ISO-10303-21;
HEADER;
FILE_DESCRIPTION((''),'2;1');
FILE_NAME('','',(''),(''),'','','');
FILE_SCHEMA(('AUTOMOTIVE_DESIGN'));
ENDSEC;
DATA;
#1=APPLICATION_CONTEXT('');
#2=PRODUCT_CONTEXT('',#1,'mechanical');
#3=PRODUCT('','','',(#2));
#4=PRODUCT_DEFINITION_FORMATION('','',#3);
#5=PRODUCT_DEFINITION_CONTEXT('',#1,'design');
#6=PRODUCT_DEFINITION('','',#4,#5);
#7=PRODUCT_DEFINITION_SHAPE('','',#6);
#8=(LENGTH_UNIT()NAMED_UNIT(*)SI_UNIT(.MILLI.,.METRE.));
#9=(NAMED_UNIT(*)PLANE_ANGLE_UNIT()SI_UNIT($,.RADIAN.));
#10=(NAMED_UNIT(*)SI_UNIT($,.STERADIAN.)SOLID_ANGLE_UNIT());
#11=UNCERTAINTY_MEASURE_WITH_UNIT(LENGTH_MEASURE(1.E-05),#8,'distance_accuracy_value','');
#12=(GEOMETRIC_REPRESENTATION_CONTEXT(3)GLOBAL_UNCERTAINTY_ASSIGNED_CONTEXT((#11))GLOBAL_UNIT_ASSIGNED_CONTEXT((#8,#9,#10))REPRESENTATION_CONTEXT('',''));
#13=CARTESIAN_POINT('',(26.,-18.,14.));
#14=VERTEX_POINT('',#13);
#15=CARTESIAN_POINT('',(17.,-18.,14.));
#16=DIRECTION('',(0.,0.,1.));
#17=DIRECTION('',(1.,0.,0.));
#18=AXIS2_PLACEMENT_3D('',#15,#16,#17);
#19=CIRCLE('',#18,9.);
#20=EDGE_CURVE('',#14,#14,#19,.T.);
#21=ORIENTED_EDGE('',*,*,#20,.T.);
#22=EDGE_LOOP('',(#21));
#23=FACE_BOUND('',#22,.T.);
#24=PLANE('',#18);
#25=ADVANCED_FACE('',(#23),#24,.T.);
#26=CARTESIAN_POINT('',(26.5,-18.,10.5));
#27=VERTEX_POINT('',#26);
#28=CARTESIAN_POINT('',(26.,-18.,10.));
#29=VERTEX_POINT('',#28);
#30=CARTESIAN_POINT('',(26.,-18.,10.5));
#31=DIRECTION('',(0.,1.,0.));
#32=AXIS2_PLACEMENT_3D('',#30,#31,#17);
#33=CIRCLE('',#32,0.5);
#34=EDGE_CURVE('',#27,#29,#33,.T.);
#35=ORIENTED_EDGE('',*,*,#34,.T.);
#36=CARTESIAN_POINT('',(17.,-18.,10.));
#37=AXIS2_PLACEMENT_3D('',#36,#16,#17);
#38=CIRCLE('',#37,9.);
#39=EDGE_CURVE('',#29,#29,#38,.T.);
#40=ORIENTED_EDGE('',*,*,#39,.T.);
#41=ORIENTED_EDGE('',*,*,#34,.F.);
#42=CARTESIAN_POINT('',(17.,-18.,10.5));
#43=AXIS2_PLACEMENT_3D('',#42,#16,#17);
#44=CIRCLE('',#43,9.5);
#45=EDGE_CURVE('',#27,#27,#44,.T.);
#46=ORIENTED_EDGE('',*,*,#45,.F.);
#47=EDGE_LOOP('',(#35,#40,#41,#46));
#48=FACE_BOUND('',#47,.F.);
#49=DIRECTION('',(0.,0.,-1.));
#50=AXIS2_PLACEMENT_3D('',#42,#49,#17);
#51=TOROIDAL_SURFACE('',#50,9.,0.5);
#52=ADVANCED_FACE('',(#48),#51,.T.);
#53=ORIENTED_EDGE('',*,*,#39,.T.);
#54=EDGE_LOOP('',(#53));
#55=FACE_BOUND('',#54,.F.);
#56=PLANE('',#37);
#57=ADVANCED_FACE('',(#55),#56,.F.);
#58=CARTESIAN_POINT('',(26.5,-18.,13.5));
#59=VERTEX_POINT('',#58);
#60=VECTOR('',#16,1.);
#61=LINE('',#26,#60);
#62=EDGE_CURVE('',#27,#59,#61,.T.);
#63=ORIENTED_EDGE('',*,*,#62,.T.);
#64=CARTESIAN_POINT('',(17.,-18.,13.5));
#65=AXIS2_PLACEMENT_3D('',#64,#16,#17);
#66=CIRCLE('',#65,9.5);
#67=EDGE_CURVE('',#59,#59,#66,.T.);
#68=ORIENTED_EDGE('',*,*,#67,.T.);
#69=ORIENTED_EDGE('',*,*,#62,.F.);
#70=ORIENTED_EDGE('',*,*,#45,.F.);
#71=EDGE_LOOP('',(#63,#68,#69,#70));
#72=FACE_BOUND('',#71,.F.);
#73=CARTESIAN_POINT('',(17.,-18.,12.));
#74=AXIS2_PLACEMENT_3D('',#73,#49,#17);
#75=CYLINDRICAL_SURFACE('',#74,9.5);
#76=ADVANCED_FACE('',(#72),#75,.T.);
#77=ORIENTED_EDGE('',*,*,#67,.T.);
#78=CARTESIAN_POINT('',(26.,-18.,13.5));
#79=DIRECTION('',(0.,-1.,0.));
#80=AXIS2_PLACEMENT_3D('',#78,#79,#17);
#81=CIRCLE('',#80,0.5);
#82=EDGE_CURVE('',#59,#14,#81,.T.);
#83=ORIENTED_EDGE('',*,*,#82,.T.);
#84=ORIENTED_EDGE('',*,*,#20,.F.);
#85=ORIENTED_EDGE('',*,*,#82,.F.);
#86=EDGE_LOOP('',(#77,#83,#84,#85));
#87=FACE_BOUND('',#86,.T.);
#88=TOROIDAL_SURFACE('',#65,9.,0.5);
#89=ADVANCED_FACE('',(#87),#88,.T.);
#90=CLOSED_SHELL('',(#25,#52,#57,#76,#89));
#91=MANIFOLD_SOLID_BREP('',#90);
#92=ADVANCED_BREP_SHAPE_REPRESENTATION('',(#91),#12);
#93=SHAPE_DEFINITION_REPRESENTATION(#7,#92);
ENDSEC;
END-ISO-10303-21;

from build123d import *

# Parameters (mm, degrees)
CYLINDER001_R     = 9.5
CYLINDER001_DEPTH = 2
FILLET_R          = 0.5
CYLINDER_R        = 9.5
CYLINDER_DEPTH    = 2
FILLET001_R       = 0.5


with BuildPart() as fillet_body:
    # Cylinder001 → Cylinder001 (new body)
    with BuildSketch(Plane.XY.offset(12)):
        Circle(CYLINDER001_R)
    extrude(amount=CYLINDER001_DEPTH)

    # Fillet
    fillet_edges = [fillet_body.edges().sort_by_distance(p)[0] for p in [
        (-9.5, 0, 14),
    ]]
    fillet(fillet_edges, radius=FILLET_R)


with BuildPart() as disc001:
    # Cylinder → Cylinder (new body)
    with BuildSketch(Plane.XY.offset(11)):
        Circle(CYLINDER_R)
    extrude(amount=CYLINDER_DEPTH)

    # Fillet001
    fillet001_edges = [disc001.edges().sort_by_distance(p)[0] for p in [
        (-9.5, 0, 11),
    ]]
    fillet(fillet001_edges, radius=FILLET001_R)


with BuildPart() as disc001_1:
    # Fillet001 placement: moved
    add(disc001.part.moved(Location((0, 0, -1))))

    # Fusion001: union Fillet body
    add(fillet_body.part)


with BuildPart() as disc001_2:
    # Fusion001 placement: moved
    add(disc001_1.part.moved(Location((17, -18, 0))))


solid = disc001_2.part
